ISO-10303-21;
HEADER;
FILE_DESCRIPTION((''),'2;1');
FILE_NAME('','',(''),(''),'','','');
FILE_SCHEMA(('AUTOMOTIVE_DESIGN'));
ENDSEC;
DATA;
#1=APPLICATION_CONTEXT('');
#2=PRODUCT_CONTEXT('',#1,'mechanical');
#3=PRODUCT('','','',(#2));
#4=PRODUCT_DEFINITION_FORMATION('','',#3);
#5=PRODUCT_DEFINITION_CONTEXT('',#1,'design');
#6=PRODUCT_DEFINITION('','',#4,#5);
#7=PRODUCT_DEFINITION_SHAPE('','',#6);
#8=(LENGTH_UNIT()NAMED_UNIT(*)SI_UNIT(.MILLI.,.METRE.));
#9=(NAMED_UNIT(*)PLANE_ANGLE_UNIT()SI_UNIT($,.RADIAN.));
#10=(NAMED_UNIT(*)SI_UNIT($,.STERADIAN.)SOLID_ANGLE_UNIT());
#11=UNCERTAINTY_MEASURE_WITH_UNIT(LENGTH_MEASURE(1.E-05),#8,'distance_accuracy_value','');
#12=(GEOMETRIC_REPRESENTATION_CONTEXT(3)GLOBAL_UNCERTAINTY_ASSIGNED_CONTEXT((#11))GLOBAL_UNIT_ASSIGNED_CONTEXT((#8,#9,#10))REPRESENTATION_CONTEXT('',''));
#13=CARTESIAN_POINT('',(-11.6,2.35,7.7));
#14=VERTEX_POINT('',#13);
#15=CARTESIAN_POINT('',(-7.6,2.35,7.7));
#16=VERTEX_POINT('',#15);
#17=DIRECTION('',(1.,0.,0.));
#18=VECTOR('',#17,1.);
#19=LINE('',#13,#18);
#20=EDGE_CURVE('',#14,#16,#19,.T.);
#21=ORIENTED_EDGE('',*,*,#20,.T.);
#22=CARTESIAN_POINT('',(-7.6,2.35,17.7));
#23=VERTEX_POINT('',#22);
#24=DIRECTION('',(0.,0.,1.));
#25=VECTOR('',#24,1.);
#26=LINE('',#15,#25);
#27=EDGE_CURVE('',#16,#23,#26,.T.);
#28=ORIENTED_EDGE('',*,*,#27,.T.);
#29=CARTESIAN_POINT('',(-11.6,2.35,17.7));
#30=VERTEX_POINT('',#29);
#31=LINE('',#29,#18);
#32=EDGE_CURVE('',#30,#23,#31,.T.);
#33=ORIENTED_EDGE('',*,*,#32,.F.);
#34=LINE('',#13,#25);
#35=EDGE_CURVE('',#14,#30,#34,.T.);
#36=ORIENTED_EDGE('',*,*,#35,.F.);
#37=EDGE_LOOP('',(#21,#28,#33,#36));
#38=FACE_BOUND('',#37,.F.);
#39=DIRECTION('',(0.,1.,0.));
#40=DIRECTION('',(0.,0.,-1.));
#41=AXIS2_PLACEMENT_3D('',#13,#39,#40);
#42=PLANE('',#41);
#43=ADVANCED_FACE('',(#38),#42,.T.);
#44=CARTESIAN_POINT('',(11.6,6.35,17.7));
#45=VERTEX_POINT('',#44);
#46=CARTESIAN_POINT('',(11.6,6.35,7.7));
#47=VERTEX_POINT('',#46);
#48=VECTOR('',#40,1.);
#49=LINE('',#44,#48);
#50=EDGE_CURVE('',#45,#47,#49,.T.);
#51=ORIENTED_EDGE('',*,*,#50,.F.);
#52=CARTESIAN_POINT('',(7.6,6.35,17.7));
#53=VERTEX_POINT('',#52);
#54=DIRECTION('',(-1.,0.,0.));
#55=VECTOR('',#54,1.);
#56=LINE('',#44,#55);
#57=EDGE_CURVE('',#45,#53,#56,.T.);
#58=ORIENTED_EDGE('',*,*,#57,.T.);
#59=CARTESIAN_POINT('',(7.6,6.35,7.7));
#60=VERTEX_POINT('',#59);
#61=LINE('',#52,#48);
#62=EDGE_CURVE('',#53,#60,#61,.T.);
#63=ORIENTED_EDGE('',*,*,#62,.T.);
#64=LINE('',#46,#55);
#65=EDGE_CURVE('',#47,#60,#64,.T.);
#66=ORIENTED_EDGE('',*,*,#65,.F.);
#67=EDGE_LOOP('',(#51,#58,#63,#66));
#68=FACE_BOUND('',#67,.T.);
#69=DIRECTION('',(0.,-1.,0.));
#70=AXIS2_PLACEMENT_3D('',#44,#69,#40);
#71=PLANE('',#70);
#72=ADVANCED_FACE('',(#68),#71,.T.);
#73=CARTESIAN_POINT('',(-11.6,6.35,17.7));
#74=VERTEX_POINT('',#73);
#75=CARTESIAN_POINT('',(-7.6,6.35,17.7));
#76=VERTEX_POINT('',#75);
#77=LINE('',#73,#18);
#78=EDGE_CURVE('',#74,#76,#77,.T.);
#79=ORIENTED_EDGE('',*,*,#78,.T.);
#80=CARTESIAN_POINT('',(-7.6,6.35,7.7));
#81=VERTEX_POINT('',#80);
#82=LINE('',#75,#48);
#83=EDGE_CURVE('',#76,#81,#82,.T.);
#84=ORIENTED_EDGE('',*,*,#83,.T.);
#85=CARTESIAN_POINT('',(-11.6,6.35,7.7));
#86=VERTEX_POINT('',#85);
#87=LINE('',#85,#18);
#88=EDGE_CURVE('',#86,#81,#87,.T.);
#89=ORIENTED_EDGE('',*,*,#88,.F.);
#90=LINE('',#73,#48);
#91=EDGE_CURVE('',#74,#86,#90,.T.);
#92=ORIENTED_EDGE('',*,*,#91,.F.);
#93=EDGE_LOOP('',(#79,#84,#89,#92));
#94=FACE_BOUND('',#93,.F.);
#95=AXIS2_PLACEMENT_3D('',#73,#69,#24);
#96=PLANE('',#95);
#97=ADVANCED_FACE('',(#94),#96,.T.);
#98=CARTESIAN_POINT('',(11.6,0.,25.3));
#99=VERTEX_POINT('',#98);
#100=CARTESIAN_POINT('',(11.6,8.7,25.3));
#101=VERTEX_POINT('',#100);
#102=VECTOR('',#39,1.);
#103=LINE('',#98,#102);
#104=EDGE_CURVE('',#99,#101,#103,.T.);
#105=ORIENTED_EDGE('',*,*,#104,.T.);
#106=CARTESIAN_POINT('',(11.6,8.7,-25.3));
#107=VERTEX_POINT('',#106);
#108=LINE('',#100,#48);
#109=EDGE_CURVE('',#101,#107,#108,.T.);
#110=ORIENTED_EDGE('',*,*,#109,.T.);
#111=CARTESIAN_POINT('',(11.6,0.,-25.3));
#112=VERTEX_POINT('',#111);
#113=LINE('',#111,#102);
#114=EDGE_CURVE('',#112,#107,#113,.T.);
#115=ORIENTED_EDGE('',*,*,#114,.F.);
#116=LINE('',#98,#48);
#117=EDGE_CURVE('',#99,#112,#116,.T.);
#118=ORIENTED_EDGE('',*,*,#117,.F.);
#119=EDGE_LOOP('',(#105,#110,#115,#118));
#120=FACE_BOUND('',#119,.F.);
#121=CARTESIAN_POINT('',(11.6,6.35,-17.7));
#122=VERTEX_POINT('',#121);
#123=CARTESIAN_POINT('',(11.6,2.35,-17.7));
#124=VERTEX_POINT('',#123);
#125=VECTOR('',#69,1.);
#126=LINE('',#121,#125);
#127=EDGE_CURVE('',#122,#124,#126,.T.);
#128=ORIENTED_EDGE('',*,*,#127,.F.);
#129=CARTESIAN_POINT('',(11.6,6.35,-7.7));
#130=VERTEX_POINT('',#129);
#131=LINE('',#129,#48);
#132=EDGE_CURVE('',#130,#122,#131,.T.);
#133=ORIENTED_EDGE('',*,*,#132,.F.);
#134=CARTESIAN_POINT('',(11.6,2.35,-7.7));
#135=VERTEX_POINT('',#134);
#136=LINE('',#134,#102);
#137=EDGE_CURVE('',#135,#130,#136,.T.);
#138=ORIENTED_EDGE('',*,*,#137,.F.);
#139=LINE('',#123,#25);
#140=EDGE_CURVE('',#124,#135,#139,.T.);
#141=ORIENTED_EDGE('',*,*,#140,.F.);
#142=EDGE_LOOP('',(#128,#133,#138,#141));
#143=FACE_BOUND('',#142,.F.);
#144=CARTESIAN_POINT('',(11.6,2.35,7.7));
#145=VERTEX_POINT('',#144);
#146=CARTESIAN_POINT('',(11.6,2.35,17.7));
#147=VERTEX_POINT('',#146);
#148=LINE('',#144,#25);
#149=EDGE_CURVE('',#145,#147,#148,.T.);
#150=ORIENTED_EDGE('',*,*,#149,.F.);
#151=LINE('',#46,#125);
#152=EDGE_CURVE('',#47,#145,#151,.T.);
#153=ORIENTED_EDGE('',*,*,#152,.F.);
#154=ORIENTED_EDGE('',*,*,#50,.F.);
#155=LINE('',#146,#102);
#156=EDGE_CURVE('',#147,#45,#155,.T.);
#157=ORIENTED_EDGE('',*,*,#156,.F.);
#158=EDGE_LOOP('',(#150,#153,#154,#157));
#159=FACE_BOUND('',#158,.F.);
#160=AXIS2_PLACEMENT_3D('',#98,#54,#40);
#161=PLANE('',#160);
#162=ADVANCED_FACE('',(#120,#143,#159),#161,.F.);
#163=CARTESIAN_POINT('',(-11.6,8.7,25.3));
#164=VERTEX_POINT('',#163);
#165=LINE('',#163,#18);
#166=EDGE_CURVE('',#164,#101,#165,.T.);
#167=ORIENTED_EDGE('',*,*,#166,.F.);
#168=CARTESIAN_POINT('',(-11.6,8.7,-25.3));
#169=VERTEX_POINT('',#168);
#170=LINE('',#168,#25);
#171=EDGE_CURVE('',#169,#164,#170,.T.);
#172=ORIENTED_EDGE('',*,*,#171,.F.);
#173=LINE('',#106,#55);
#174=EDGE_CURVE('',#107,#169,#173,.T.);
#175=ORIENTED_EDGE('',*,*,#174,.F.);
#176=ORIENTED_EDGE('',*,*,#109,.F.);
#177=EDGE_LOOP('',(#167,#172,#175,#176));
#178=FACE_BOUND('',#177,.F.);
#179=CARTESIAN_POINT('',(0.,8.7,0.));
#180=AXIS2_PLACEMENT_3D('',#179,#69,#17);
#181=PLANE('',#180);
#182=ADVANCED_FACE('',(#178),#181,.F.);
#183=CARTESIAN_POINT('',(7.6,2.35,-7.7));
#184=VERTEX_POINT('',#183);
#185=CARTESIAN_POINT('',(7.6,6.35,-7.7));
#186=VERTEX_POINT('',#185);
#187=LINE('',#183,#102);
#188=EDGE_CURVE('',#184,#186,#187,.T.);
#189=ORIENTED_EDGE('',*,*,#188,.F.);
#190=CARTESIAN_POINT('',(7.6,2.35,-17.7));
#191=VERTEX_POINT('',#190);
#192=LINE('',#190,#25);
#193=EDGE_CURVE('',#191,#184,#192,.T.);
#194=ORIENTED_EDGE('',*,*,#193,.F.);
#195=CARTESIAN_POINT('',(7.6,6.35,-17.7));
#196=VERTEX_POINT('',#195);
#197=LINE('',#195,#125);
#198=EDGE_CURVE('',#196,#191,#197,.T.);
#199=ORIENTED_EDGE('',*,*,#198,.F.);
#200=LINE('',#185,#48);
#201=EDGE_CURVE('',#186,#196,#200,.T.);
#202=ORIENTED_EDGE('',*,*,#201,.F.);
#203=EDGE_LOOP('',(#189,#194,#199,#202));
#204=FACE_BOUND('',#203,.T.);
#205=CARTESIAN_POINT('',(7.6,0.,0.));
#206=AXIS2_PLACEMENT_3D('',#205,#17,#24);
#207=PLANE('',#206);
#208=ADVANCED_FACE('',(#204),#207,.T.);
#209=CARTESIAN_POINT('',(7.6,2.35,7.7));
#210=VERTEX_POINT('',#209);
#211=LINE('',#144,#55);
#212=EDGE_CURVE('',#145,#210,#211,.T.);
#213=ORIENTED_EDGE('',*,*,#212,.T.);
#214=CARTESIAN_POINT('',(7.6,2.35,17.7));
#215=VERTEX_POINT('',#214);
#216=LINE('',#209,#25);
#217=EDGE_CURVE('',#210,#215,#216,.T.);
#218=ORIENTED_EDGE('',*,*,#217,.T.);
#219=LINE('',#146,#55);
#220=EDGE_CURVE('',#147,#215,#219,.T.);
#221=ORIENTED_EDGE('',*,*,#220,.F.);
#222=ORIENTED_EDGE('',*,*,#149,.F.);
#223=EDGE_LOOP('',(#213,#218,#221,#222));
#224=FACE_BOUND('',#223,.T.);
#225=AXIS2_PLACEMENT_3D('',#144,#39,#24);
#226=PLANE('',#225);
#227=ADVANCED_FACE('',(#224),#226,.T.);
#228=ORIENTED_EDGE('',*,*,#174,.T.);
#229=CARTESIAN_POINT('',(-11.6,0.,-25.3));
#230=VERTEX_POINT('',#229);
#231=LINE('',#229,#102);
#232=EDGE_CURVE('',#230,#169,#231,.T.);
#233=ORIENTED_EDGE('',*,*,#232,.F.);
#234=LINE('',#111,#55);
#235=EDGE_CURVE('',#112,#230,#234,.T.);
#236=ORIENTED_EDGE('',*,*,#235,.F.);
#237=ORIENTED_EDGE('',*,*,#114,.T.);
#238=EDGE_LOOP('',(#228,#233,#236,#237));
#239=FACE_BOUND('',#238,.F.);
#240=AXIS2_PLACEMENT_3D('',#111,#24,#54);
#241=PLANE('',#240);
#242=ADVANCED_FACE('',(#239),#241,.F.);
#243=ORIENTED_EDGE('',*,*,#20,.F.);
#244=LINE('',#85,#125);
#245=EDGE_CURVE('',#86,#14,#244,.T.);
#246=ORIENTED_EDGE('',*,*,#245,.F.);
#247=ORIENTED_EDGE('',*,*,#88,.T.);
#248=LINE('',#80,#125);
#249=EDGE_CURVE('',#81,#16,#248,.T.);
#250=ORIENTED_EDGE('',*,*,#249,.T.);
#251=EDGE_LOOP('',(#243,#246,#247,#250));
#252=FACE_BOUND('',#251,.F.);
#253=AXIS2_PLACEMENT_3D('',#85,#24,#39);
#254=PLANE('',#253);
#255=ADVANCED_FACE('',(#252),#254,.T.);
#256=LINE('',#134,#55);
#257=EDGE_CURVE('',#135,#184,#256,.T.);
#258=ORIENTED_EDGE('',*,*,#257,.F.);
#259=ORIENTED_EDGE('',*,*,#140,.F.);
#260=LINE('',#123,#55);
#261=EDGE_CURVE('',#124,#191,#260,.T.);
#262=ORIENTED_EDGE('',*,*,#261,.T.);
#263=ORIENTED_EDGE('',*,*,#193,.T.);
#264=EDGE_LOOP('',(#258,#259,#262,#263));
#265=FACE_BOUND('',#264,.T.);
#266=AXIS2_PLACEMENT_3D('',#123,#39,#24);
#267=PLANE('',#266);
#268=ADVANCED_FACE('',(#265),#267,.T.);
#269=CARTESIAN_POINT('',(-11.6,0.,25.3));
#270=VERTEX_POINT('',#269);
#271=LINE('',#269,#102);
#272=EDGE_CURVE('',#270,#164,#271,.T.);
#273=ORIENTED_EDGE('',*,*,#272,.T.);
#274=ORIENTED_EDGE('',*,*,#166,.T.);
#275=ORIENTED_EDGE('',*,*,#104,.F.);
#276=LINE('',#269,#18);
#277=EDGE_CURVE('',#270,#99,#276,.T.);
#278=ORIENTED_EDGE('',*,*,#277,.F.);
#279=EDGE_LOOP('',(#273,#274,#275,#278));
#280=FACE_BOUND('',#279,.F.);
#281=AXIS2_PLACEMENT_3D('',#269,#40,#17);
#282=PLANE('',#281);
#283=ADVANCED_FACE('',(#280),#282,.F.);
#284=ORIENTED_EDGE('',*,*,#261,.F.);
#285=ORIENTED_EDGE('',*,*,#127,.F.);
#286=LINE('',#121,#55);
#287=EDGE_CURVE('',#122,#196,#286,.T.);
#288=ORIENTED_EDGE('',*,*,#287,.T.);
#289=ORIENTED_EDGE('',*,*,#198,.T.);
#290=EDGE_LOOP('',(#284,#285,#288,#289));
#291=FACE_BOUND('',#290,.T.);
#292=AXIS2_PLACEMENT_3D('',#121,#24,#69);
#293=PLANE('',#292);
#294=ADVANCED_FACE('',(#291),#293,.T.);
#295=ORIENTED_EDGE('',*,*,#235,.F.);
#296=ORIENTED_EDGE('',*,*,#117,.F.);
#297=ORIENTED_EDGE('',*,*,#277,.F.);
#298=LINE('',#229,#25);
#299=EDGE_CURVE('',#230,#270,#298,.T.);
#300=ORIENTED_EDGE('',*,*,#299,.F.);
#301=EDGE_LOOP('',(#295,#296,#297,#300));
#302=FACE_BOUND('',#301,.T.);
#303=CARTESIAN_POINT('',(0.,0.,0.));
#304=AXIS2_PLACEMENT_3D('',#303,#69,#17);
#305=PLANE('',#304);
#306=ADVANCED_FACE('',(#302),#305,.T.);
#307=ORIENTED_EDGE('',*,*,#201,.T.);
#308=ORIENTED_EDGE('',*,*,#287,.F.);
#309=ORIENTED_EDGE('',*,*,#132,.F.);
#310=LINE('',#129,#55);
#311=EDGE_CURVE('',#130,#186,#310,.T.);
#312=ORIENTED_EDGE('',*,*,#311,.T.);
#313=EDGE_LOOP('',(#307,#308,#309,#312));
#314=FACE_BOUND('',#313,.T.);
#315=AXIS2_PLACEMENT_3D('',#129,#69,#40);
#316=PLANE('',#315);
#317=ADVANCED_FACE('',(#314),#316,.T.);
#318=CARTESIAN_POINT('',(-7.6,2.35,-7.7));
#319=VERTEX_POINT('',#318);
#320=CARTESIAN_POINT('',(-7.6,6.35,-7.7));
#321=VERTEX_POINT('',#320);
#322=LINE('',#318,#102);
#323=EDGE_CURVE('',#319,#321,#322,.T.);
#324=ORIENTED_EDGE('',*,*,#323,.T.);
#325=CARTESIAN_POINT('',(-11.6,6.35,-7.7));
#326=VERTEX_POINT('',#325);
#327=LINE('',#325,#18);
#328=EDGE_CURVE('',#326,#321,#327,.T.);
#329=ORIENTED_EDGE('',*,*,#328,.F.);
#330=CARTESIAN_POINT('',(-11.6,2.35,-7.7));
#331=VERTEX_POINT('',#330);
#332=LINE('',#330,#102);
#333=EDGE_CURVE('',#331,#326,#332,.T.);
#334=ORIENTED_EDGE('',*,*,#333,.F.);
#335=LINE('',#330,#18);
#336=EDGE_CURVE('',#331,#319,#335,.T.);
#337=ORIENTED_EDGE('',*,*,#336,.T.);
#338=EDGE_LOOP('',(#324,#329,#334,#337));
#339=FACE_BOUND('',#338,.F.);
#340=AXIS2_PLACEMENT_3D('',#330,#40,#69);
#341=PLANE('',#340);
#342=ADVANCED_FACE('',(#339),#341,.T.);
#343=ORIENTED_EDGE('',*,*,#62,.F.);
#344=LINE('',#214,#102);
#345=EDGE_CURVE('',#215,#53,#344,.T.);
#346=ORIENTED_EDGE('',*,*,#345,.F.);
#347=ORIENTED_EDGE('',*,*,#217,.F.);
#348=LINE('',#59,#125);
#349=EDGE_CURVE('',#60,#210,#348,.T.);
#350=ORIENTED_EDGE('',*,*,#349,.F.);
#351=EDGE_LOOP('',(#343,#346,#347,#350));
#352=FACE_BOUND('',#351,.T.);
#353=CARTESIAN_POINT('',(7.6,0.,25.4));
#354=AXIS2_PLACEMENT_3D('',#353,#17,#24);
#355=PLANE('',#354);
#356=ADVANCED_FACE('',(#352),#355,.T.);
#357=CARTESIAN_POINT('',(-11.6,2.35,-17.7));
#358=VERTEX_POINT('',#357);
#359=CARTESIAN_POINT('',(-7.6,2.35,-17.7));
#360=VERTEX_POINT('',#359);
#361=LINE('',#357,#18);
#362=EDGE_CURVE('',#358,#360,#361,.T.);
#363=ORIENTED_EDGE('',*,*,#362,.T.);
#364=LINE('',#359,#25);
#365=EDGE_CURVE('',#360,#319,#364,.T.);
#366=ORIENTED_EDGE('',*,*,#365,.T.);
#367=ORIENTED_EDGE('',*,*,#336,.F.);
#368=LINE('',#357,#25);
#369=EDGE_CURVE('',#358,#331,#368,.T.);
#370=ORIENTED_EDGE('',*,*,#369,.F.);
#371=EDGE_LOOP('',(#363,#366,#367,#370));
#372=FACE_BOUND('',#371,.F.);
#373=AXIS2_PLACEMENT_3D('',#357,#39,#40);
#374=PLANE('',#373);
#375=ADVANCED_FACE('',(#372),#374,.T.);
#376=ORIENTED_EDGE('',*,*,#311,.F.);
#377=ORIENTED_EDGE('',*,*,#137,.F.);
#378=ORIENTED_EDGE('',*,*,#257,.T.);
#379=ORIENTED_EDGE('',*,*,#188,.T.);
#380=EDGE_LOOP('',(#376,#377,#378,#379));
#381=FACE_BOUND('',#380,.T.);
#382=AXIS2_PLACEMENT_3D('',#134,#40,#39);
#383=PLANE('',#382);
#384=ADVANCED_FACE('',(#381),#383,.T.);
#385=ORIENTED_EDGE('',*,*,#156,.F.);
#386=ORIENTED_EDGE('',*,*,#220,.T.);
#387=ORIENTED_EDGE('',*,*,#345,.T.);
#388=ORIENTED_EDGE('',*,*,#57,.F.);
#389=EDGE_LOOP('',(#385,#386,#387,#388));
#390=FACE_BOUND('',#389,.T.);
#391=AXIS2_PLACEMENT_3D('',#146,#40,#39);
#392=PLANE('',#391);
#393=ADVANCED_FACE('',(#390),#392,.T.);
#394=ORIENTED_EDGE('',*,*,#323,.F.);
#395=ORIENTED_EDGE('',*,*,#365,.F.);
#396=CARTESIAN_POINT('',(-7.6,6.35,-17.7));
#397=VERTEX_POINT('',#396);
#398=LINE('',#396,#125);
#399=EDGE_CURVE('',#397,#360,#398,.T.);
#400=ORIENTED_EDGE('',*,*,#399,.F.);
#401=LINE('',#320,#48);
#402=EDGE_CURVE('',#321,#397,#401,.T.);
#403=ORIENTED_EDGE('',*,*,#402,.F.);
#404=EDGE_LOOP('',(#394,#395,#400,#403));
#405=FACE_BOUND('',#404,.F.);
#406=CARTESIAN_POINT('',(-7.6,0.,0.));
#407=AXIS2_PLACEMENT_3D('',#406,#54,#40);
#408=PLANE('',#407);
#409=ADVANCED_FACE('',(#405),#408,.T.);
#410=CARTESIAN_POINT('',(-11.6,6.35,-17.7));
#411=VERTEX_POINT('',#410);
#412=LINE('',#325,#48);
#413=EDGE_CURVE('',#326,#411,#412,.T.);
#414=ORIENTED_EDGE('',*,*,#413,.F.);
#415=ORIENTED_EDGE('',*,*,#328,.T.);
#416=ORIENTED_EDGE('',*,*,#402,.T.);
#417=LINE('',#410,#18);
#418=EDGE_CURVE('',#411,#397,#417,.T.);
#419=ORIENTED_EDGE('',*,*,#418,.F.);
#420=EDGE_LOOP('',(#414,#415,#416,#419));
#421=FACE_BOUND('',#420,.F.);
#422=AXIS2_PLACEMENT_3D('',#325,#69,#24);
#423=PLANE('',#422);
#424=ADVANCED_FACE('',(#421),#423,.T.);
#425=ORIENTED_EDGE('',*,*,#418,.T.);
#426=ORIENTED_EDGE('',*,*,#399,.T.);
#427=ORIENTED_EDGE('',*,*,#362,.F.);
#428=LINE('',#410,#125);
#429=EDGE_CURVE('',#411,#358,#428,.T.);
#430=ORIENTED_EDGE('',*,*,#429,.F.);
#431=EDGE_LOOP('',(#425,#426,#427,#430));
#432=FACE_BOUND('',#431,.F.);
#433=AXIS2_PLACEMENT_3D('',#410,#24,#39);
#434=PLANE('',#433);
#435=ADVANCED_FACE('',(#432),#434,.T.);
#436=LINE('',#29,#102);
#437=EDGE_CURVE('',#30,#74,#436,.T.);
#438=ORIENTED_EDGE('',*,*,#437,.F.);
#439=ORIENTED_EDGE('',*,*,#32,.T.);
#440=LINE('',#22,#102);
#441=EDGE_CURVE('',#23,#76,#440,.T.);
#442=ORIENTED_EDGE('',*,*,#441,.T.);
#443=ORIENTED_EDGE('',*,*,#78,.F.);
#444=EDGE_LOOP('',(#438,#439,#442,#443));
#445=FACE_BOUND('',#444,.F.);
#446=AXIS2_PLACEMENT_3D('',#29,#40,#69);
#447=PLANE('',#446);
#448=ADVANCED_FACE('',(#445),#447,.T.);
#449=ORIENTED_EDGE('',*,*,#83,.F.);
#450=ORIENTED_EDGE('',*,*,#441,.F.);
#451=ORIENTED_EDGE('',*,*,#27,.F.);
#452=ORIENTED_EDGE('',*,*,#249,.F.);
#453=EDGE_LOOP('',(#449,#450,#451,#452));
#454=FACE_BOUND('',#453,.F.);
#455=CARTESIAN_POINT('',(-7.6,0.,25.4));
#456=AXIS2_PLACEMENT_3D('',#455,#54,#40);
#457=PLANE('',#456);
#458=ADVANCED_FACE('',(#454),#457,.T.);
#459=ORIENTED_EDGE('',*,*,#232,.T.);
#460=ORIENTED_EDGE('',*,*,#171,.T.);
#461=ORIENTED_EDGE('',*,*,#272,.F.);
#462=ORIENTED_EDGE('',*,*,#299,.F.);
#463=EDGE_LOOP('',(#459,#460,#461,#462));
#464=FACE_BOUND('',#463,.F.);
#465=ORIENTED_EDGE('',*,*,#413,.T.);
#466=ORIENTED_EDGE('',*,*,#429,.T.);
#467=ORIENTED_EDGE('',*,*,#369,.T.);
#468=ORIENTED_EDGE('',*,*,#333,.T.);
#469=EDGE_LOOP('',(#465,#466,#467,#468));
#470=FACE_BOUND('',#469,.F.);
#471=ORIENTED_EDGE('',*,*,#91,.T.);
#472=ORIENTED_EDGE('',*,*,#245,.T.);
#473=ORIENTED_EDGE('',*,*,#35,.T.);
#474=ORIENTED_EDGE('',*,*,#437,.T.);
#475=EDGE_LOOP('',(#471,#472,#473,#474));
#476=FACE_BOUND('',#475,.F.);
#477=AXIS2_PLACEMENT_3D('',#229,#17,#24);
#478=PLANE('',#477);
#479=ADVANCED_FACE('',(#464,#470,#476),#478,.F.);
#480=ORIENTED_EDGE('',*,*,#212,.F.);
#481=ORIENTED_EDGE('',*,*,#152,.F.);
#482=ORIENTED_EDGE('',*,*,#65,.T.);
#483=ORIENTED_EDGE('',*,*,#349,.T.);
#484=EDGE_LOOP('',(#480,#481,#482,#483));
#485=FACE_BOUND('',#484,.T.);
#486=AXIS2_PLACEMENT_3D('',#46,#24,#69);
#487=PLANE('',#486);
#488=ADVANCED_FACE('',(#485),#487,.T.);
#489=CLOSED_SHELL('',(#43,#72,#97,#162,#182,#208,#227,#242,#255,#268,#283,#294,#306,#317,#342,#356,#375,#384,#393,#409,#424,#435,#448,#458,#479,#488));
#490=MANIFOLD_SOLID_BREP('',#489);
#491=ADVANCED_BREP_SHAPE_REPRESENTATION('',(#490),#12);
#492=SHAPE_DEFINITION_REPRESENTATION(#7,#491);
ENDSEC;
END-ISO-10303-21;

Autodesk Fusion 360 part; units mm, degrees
sketch "Sketch1" plane through (0, 0, 0) normal (0, -1, 0) x (1, 0, 0) in component "DDD Wall Control Center Piece Parametric Template"
  line L0 (11.6, -25.3) -> (-11.6, -25.3)
  line L1 (-11.6, -25.3) -> (-11.6, 25.3)
  line L2 (-11.6, 25.3) -> (11.6, 25.3)
  line L3 (11.6, 25.3) -> (11.6, -25.3)
  line L4 (11.6, -25.3) -> (-11.6, 25.3) construction
  line L5 (-11.6, -25.3) -> (11.6, 25.3) construction
  dimension "d1" = 23.2
  dimension "d2" = 50.6
extrude "Extrude1" add sketch "Sketch1" against normal blind 8.7 in component "DDD Wall Control Center Piece Parametric Template"
sketch "Sketch3" plane through (0, 0, 0) normal (1, 0, 0) x (0, 0, 1) in component "DDD Wall Control Center Piece Parametric Template"
  line L0 (-17.7, -2.35) -> (-7.7, -2.35)
  line L1 (-7.7, -2.35) -> (-7.7, -6.35)
  line L2 (-7.7, -6.35) -> (-17.7, -6.35)
  line L3 (-17.7, -6.35) -> (-17.7, -2.35)
  line L4 (-17.7, -2.35) -> (-7.7, -6.35) construction
  line L5 (-7.7, -2.35) -> (-17.7, -6.35) construction
  line L6 (1.75, 0) -> (22.5, 0)
  line L7 (25.3, 0) -> (-25.3, 0)
  point P0 (-12.7, -4.35)
  dimension "d165" = 10
  dimension "d166" = 4
  dimension "d189" = 17.7
  dimension "d205" = 2.35
extrude "Extrude3" cut sketch "Sketch3" against normal blind 4 from surface at 11.6 in component "DDD Wall Control Center Piece Parametric Template"
mirror "Mirror2" about plane through (0, 0, 0) normal (1, 0, 0) of "Extrude3" in component "DDD Wall Control Center Piece Parametric Template"
pattern_linear "R-Pattern4" count 2 spacing 25.4 along (0, 0, 1) of "Extrude3" in component "DDD Wall Control Center Piece Parametric Template"
mirror "Mirror1" about plane through (0, 0, 0) normal (1, 0, 0) of "R-Pattern4" in component "DDD Wall Control Center Piece Parametric Template"
component "DDD Wall Control Center Piece Parametric Template" placed x (1, 0, 0) y (0, 1, 0) z (0, 0, 1) at (0, 0, 0)
equation "d1 = HorizontalWidth"
equation "d2 = VerticalHeight"
equation "d3 = -Depth"
equation "d42 = -PinHoleWidth / 2"
equation "HowToUse = 0" comment "Save this as a new design   from the original to preserve the template.  Then modify as needed for centerpiece divider racks."
equation "d165 = PinHoleLength"
equation "d166 = PinHoleHeight"
equation "d168 = VerticalUnits"
equation "d170 = -SlotSpacing"
equation "HorizontalUnits = 1" comment "Units spanning horizontally across the wall control board/pegboard"
equation "VerticalUnits = 2" comment "Units spanning vertically down the wall control board/pegboard"
equation "SidepieceDepth = 8.7 mm" comment "Sidepiece depth used to ensure the spaces for the pins line up"
equation "HorizontalWidthBetweenSlots = SlotSpacing - SlotWidth" comment "The space between two slots in a wall control board"
equation "PinHoleLength = 10 mm"
equation "PinHoleWidth = 8 mm"
equation "PinHoleHeight = 4 mm"
equation "SlotSpacing = 25.4 mm" comment "Slots in wall control boards are spaced an inch apart"
equation "PinToEdgeLength = 7.6 mm" comment "Distance from the back edge of the center piece to the first pin"
equation "HorizontalWidth = ( HorizontalUnits - 1 ) * SlotSpacing + HorizontalWidthBetweenSlots"
equation "VerticalHeight = ( VerticalUnits - 1 ) * SlotSpacing + PinHoleLength + 2 * PinToEdgeLength"
equation "d189 = ( VerticalHeight / 2 ) - PinToEdgeLength"
equation "Depth = max(DepthOverride; PinHoleHeight + PinDepthOffset * 2)"
equation "SlotWidth = 2.2 mm"
equation "DepthOverride = 0 mm" comment "Add additional depth to the centerpiece. There is an enforced minimum to allow for the pins."
equation "PinDepthOffset = ( SidepieceDepth - PinHoleHeight ) / 2"
equation "d205 = PinDepthOffset"
